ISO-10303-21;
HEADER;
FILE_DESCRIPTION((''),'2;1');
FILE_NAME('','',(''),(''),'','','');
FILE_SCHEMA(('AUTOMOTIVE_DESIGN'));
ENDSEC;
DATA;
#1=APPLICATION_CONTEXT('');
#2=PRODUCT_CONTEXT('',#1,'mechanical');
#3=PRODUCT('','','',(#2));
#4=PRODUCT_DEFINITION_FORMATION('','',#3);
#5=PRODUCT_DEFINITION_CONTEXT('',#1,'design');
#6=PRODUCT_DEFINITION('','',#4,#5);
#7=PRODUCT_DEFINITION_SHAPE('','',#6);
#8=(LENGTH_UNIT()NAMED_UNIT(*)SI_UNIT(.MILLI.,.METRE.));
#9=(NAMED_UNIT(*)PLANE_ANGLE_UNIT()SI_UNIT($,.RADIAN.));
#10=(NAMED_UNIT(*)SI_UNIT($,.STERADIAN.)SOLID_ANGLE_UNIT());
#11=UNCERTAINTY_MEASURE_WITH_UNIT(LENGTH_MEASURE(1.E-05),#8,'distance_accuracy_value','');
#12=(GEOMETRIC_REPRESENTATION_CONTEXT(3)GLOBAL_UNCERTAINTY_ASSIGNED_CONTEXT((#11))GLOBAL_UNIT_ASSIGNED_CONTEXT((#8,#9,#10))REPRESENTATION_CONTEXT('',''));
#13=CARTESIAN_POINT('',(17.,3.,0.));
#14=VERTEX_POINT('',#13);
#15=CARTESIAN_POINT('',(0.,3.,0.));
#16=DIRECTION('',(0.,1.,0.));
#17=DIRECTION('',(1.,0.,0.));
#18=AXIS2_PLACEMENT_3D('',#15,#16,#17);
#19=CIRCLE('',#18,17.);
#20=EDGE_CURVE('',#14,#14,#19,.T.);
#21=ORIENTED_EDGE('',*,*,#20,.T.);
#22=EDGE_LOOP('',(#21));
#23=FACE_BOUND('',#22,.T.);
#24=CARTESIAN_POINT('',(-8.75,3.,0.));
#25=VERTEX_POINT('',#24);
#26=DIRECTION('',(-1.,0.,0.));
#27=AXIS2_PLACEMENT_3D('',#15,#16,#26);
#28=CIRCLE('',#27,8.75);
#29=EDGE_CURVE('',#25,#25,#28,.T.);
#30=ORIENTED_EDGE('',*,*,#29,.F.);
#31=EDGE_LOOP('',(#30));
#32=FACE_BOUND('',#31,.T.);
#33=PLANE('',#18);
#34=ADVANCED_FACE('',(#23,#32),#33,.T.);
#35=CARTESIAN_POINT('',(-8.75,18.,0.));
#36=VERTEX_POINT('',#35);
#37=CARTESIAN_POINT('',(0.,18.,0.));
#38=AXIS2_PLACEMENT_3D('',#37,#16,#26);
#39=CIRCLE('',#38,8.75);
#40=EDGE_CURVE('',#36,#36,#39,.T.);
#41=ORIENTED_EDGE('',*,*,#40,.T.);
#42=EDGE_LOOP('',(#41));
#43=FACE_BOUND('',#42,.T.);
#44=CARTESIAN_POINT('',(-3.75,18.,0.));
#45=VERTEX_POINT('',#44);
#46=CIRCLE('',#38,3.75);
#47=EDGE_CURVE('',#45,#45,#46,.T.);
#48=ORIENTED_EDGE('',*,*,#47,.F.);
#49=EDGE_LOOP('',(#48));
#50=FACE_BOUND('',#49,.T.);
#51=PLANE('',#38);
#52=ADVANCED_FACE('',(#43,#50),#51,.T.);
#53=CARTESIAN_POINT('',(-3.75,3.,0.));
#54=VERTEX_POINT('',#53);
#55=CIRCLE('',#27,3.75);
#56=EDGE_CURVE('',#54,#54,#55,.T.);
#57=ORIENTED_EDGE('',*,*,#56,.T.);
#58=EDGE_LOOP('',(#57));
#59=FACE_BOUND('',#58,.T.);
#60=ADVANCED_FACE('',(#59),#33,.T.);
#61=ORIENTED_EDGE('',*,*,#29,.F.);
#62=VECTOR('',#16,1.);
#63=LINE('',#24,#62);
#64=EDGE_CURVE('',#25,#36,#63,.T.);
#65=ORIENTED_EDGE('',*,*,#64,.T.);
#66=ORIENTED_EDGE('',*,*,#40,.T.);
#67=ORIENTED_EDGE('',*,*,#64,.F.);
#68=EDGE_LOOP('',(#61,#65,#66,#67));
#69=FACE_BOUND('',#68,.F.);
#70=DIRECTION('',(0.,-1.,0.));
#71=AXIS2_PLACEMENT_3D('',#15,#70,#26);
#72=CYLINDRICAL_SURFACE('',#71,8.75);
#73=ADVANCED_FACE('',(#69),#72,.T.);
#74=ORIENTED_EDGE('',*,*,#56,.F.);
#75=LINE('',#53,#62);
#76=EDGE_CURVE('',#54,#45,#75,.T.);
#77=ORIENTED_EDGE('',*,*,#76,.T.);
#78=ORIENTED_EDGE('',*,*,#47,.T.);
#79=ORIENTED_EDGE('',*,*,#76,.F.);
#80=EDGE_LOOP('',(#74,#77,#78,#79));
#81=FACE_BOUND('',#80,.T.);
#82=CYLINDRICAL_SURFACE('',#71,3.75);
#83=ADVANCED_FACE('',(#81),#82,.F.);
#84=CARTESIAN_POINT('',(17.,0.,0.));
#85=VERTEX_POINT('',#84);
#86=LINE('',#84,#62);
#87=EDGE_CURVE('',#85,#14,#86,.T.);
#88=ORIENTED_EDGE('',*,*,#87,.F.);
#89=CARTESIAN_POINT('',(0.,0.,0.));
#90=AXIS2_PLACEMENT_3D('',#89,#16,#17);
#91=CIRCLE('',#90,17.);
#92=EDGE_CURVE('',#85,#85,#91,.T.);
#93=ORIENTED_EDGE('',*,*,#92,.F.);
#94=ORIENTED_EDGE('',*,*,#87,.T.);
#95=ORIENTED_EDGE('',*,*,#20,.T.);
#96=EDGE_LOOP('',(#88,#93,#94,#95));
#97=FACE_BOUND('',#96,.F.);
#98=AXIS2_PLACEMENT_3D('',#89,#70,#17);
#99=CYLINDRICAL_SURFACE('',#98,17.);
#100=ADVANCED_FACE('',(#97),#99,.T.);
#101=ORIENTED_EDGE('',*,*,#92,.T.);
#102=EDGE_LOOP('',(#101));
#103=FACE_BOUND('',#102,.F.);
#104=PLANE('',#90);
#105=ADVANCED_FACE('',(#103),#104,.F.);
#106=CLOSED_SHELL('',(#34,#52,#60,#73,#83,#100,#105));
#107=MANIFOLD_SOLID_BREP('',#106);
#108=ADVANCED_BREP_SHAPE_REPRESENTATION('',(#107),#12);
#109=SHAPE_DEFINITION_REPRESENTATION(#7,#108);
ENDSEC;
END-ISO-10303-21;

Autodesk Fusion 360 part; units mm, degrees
sketch "Sketch1" plane through (0, 0, 0) normal (0, 1, 0) x (1, 0, 0)
  circle A0 centre (0, 0) radius 17
  dimension "d1" = 34
extrude "Extrude1" add sketch "Sketch1" along normal blind 3
sketch "Sketch2" plane through (0, 3, 0) normal (0, 1, 0) x (-1, 0, 0)
  circle A0 centre (0, 0) radius 17
  circle A1 centre (0, 0) radius 3.75
  circle A2 centre (0, 0) radius 8.75
  dimension "d4" = 7.5
  dimension "d5" = 5
extrude "Extrude2" add sketch "Sketch2" along normal blind 15 contours A2
